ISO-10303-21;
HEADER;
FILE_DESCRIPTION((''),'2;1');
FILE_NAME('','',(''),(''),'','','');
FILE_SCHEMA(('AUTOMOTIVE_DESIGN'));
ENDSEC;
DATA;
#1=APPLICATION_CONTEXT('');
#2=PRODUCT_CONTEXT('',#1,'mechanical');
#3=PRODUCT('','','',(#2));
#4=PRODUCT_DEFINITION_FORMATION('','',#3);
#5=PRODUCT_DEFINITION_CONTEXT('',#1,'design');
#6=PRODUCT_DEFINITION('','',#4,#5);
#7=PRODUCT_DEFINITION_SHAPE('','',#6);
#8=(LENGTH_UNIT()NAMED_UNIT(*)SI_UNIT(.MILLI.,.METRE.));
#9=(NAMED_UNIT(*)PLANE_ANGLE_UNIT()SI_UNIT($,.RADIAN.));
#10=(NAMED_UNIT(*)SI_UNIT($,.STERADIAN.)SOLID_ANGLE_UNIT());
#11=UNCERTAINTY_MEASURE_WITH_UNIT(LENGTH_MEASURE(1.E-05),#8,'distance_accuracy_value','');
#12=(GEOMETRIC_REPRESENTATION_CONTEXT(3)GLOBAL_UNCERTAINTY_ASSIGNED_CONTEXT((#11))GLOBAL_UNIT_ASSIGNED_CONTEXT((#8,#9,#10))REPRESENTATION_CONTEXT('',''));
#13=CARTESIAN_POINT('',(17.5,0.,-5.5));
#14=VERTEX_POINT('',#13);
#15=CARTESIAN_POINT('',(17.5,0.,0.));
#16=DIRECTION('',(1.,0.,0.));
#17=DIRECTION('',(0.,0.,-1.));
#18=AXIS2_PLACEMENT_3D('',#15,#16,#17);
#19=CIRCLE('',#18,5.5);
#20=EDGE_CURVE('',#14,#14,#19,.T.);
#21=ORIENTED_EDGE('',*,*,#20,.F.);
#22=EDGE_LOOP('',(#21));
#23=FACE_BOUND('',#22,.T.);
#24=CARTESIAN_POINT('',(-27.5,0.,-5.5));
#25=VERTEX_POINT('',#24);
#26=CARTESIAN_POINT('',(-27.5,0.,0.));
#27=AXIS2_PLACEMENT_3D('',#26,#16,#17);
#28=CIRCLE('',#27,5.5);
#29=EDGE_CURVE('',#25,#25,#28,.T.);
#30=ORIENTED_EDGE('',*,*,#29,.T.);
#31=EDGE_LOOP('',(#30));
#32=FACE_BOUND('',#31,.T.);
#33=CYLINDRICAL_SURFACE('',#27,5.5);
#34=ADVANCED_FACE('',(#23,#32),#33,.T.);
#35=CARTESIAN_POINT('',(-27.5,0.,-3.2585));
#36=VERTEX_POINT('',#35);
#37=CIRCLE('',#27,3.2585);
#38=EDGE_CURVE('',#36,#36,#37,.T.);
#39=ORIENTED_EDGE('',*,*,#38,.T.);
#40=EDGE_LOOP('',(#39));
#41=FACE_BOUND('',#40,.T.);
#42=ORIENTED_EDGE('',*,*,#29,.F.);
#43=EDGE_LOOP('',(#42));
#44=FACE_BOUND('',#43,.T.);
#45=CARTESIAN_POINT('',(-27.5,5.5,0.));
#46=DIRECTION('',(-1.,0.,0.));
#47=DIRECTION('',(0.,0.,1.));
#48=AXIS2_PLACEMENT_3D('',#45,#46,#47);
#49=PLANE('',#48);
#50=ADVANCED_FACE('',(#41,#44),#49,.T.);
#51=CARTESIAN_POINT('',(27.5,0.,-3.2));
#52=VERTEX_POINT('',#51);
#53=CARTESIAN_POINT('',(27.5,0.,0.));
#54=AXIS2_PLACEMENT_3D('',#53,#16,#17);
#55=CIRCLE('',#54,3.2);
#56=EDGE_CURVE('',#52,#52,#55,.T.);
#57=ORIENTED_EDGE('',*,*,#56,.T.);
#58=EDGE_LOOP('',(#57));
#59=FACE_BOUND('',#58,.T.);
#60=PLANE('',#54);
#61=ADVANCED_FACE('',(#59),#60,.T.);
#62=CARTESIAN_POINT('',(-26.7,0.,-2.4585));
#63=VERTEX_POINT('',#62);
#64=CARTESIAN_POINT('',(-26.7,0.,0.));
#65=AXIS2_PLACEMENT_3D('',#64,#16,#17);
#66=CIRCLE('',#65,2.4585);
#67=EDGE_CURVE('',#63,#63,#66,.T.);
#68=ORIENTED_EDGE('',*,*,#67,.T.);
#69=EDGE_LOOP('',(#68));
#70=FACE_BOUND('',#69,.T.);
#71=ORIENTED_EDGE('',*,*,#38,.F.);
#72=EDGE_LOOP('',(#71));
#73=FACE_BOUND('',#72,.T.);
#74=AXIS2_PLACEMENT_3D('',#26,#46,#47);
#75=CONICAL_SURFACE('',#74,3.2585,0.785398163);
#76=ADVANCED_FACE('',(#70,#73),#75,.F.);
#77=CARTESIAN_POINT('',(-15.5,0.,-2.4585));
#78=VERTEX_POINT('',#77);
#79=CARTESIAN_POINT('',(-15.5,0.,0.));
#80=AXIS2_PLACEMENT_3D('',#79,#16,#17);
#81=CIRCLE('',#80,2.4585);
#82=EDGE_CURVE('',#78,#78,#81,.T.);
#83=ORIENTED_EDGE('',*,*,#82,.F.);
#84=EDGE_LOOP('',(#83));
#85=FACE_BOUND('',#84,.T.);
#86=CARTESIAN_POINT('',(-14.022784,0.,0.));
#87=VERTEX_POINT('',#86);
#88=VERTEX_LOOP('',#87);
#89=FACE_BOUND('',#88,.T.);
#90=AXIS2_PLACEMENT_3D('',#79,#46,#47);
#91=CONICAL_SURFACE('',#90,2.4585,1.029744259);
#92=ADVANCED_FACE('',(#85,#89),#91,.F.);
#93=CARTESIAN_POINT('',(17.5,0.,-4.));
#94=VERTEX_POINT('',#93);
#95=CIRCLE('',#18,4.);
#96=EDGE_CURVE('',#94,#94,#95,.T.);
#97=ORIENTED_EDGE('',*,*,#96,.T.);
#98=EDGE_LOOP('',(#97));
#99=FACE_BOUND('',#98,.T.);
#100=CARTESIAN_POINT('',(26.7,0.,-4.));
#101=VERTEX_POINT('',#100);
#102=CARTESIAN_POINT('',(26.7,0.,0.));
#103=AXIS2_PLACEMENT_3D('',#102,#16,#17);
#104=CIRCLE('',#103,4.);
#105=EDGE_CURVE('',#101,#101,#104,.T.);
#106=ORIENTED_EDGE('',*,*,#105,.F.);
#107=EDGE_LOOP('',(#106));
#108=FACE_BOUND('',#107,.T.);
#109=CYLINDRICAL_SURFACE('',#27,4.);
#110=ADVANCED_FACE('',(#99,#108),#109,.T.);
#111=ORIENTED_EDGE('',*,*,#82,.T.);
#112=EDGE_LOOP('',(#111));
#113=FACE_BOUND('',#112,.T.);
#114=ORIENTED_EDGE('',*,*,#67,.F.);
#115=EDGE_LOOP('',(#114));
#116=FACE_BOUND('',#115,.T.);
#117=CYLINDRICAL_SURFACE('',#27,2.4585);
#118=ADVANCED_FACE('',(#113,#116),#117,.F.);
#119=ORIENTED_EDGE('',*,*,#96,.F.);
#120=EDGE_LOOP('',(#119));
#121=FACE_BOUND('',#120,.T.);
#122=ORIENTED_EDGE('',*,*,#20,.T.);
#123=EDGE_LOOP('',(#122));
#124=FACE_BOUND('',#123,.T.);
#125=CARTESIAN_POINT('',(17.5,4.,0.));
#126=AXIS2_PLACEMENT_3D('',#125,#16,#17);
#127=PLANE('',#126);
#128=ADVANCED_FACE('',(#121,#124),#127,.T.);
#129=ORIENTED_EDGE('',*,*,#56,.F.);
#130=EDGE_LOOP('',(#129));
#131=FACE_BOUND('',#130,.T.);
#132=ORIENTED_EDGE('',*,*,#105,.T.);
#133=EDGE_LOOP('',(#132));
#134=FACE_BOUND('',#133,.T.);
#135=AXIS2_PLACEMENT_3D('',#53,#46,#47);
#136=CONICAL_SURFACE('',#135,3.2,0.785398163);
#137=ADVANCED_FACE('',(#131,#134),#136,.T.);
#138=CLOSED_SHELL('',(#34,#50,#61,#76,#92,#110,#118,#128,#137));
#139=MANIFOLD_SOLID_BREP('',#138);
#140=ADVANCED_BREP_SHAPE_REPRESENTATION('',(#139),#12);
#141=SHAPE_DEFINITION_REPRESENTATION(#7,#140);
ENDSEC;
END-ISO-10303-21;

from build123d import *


with BuildPart() as part:
    # Sketch1 → Revolve1 (revolve)
    with BuildSketch(Plane.XY):
        Polygon((-15.5, 2.4585), (-14.022784168, 0), (27.5, 0), (27.5, 3.2), (26.7, 4), (17.5, 4), (17.5, 5.5), (-27.5, 5.5), (-27.5, 3.2585), (-26.7, 2.4585), align=None)
    revolve(axis=Axis((-27.5, 0, 0), (1, 0, 0)))


solid = part.part
